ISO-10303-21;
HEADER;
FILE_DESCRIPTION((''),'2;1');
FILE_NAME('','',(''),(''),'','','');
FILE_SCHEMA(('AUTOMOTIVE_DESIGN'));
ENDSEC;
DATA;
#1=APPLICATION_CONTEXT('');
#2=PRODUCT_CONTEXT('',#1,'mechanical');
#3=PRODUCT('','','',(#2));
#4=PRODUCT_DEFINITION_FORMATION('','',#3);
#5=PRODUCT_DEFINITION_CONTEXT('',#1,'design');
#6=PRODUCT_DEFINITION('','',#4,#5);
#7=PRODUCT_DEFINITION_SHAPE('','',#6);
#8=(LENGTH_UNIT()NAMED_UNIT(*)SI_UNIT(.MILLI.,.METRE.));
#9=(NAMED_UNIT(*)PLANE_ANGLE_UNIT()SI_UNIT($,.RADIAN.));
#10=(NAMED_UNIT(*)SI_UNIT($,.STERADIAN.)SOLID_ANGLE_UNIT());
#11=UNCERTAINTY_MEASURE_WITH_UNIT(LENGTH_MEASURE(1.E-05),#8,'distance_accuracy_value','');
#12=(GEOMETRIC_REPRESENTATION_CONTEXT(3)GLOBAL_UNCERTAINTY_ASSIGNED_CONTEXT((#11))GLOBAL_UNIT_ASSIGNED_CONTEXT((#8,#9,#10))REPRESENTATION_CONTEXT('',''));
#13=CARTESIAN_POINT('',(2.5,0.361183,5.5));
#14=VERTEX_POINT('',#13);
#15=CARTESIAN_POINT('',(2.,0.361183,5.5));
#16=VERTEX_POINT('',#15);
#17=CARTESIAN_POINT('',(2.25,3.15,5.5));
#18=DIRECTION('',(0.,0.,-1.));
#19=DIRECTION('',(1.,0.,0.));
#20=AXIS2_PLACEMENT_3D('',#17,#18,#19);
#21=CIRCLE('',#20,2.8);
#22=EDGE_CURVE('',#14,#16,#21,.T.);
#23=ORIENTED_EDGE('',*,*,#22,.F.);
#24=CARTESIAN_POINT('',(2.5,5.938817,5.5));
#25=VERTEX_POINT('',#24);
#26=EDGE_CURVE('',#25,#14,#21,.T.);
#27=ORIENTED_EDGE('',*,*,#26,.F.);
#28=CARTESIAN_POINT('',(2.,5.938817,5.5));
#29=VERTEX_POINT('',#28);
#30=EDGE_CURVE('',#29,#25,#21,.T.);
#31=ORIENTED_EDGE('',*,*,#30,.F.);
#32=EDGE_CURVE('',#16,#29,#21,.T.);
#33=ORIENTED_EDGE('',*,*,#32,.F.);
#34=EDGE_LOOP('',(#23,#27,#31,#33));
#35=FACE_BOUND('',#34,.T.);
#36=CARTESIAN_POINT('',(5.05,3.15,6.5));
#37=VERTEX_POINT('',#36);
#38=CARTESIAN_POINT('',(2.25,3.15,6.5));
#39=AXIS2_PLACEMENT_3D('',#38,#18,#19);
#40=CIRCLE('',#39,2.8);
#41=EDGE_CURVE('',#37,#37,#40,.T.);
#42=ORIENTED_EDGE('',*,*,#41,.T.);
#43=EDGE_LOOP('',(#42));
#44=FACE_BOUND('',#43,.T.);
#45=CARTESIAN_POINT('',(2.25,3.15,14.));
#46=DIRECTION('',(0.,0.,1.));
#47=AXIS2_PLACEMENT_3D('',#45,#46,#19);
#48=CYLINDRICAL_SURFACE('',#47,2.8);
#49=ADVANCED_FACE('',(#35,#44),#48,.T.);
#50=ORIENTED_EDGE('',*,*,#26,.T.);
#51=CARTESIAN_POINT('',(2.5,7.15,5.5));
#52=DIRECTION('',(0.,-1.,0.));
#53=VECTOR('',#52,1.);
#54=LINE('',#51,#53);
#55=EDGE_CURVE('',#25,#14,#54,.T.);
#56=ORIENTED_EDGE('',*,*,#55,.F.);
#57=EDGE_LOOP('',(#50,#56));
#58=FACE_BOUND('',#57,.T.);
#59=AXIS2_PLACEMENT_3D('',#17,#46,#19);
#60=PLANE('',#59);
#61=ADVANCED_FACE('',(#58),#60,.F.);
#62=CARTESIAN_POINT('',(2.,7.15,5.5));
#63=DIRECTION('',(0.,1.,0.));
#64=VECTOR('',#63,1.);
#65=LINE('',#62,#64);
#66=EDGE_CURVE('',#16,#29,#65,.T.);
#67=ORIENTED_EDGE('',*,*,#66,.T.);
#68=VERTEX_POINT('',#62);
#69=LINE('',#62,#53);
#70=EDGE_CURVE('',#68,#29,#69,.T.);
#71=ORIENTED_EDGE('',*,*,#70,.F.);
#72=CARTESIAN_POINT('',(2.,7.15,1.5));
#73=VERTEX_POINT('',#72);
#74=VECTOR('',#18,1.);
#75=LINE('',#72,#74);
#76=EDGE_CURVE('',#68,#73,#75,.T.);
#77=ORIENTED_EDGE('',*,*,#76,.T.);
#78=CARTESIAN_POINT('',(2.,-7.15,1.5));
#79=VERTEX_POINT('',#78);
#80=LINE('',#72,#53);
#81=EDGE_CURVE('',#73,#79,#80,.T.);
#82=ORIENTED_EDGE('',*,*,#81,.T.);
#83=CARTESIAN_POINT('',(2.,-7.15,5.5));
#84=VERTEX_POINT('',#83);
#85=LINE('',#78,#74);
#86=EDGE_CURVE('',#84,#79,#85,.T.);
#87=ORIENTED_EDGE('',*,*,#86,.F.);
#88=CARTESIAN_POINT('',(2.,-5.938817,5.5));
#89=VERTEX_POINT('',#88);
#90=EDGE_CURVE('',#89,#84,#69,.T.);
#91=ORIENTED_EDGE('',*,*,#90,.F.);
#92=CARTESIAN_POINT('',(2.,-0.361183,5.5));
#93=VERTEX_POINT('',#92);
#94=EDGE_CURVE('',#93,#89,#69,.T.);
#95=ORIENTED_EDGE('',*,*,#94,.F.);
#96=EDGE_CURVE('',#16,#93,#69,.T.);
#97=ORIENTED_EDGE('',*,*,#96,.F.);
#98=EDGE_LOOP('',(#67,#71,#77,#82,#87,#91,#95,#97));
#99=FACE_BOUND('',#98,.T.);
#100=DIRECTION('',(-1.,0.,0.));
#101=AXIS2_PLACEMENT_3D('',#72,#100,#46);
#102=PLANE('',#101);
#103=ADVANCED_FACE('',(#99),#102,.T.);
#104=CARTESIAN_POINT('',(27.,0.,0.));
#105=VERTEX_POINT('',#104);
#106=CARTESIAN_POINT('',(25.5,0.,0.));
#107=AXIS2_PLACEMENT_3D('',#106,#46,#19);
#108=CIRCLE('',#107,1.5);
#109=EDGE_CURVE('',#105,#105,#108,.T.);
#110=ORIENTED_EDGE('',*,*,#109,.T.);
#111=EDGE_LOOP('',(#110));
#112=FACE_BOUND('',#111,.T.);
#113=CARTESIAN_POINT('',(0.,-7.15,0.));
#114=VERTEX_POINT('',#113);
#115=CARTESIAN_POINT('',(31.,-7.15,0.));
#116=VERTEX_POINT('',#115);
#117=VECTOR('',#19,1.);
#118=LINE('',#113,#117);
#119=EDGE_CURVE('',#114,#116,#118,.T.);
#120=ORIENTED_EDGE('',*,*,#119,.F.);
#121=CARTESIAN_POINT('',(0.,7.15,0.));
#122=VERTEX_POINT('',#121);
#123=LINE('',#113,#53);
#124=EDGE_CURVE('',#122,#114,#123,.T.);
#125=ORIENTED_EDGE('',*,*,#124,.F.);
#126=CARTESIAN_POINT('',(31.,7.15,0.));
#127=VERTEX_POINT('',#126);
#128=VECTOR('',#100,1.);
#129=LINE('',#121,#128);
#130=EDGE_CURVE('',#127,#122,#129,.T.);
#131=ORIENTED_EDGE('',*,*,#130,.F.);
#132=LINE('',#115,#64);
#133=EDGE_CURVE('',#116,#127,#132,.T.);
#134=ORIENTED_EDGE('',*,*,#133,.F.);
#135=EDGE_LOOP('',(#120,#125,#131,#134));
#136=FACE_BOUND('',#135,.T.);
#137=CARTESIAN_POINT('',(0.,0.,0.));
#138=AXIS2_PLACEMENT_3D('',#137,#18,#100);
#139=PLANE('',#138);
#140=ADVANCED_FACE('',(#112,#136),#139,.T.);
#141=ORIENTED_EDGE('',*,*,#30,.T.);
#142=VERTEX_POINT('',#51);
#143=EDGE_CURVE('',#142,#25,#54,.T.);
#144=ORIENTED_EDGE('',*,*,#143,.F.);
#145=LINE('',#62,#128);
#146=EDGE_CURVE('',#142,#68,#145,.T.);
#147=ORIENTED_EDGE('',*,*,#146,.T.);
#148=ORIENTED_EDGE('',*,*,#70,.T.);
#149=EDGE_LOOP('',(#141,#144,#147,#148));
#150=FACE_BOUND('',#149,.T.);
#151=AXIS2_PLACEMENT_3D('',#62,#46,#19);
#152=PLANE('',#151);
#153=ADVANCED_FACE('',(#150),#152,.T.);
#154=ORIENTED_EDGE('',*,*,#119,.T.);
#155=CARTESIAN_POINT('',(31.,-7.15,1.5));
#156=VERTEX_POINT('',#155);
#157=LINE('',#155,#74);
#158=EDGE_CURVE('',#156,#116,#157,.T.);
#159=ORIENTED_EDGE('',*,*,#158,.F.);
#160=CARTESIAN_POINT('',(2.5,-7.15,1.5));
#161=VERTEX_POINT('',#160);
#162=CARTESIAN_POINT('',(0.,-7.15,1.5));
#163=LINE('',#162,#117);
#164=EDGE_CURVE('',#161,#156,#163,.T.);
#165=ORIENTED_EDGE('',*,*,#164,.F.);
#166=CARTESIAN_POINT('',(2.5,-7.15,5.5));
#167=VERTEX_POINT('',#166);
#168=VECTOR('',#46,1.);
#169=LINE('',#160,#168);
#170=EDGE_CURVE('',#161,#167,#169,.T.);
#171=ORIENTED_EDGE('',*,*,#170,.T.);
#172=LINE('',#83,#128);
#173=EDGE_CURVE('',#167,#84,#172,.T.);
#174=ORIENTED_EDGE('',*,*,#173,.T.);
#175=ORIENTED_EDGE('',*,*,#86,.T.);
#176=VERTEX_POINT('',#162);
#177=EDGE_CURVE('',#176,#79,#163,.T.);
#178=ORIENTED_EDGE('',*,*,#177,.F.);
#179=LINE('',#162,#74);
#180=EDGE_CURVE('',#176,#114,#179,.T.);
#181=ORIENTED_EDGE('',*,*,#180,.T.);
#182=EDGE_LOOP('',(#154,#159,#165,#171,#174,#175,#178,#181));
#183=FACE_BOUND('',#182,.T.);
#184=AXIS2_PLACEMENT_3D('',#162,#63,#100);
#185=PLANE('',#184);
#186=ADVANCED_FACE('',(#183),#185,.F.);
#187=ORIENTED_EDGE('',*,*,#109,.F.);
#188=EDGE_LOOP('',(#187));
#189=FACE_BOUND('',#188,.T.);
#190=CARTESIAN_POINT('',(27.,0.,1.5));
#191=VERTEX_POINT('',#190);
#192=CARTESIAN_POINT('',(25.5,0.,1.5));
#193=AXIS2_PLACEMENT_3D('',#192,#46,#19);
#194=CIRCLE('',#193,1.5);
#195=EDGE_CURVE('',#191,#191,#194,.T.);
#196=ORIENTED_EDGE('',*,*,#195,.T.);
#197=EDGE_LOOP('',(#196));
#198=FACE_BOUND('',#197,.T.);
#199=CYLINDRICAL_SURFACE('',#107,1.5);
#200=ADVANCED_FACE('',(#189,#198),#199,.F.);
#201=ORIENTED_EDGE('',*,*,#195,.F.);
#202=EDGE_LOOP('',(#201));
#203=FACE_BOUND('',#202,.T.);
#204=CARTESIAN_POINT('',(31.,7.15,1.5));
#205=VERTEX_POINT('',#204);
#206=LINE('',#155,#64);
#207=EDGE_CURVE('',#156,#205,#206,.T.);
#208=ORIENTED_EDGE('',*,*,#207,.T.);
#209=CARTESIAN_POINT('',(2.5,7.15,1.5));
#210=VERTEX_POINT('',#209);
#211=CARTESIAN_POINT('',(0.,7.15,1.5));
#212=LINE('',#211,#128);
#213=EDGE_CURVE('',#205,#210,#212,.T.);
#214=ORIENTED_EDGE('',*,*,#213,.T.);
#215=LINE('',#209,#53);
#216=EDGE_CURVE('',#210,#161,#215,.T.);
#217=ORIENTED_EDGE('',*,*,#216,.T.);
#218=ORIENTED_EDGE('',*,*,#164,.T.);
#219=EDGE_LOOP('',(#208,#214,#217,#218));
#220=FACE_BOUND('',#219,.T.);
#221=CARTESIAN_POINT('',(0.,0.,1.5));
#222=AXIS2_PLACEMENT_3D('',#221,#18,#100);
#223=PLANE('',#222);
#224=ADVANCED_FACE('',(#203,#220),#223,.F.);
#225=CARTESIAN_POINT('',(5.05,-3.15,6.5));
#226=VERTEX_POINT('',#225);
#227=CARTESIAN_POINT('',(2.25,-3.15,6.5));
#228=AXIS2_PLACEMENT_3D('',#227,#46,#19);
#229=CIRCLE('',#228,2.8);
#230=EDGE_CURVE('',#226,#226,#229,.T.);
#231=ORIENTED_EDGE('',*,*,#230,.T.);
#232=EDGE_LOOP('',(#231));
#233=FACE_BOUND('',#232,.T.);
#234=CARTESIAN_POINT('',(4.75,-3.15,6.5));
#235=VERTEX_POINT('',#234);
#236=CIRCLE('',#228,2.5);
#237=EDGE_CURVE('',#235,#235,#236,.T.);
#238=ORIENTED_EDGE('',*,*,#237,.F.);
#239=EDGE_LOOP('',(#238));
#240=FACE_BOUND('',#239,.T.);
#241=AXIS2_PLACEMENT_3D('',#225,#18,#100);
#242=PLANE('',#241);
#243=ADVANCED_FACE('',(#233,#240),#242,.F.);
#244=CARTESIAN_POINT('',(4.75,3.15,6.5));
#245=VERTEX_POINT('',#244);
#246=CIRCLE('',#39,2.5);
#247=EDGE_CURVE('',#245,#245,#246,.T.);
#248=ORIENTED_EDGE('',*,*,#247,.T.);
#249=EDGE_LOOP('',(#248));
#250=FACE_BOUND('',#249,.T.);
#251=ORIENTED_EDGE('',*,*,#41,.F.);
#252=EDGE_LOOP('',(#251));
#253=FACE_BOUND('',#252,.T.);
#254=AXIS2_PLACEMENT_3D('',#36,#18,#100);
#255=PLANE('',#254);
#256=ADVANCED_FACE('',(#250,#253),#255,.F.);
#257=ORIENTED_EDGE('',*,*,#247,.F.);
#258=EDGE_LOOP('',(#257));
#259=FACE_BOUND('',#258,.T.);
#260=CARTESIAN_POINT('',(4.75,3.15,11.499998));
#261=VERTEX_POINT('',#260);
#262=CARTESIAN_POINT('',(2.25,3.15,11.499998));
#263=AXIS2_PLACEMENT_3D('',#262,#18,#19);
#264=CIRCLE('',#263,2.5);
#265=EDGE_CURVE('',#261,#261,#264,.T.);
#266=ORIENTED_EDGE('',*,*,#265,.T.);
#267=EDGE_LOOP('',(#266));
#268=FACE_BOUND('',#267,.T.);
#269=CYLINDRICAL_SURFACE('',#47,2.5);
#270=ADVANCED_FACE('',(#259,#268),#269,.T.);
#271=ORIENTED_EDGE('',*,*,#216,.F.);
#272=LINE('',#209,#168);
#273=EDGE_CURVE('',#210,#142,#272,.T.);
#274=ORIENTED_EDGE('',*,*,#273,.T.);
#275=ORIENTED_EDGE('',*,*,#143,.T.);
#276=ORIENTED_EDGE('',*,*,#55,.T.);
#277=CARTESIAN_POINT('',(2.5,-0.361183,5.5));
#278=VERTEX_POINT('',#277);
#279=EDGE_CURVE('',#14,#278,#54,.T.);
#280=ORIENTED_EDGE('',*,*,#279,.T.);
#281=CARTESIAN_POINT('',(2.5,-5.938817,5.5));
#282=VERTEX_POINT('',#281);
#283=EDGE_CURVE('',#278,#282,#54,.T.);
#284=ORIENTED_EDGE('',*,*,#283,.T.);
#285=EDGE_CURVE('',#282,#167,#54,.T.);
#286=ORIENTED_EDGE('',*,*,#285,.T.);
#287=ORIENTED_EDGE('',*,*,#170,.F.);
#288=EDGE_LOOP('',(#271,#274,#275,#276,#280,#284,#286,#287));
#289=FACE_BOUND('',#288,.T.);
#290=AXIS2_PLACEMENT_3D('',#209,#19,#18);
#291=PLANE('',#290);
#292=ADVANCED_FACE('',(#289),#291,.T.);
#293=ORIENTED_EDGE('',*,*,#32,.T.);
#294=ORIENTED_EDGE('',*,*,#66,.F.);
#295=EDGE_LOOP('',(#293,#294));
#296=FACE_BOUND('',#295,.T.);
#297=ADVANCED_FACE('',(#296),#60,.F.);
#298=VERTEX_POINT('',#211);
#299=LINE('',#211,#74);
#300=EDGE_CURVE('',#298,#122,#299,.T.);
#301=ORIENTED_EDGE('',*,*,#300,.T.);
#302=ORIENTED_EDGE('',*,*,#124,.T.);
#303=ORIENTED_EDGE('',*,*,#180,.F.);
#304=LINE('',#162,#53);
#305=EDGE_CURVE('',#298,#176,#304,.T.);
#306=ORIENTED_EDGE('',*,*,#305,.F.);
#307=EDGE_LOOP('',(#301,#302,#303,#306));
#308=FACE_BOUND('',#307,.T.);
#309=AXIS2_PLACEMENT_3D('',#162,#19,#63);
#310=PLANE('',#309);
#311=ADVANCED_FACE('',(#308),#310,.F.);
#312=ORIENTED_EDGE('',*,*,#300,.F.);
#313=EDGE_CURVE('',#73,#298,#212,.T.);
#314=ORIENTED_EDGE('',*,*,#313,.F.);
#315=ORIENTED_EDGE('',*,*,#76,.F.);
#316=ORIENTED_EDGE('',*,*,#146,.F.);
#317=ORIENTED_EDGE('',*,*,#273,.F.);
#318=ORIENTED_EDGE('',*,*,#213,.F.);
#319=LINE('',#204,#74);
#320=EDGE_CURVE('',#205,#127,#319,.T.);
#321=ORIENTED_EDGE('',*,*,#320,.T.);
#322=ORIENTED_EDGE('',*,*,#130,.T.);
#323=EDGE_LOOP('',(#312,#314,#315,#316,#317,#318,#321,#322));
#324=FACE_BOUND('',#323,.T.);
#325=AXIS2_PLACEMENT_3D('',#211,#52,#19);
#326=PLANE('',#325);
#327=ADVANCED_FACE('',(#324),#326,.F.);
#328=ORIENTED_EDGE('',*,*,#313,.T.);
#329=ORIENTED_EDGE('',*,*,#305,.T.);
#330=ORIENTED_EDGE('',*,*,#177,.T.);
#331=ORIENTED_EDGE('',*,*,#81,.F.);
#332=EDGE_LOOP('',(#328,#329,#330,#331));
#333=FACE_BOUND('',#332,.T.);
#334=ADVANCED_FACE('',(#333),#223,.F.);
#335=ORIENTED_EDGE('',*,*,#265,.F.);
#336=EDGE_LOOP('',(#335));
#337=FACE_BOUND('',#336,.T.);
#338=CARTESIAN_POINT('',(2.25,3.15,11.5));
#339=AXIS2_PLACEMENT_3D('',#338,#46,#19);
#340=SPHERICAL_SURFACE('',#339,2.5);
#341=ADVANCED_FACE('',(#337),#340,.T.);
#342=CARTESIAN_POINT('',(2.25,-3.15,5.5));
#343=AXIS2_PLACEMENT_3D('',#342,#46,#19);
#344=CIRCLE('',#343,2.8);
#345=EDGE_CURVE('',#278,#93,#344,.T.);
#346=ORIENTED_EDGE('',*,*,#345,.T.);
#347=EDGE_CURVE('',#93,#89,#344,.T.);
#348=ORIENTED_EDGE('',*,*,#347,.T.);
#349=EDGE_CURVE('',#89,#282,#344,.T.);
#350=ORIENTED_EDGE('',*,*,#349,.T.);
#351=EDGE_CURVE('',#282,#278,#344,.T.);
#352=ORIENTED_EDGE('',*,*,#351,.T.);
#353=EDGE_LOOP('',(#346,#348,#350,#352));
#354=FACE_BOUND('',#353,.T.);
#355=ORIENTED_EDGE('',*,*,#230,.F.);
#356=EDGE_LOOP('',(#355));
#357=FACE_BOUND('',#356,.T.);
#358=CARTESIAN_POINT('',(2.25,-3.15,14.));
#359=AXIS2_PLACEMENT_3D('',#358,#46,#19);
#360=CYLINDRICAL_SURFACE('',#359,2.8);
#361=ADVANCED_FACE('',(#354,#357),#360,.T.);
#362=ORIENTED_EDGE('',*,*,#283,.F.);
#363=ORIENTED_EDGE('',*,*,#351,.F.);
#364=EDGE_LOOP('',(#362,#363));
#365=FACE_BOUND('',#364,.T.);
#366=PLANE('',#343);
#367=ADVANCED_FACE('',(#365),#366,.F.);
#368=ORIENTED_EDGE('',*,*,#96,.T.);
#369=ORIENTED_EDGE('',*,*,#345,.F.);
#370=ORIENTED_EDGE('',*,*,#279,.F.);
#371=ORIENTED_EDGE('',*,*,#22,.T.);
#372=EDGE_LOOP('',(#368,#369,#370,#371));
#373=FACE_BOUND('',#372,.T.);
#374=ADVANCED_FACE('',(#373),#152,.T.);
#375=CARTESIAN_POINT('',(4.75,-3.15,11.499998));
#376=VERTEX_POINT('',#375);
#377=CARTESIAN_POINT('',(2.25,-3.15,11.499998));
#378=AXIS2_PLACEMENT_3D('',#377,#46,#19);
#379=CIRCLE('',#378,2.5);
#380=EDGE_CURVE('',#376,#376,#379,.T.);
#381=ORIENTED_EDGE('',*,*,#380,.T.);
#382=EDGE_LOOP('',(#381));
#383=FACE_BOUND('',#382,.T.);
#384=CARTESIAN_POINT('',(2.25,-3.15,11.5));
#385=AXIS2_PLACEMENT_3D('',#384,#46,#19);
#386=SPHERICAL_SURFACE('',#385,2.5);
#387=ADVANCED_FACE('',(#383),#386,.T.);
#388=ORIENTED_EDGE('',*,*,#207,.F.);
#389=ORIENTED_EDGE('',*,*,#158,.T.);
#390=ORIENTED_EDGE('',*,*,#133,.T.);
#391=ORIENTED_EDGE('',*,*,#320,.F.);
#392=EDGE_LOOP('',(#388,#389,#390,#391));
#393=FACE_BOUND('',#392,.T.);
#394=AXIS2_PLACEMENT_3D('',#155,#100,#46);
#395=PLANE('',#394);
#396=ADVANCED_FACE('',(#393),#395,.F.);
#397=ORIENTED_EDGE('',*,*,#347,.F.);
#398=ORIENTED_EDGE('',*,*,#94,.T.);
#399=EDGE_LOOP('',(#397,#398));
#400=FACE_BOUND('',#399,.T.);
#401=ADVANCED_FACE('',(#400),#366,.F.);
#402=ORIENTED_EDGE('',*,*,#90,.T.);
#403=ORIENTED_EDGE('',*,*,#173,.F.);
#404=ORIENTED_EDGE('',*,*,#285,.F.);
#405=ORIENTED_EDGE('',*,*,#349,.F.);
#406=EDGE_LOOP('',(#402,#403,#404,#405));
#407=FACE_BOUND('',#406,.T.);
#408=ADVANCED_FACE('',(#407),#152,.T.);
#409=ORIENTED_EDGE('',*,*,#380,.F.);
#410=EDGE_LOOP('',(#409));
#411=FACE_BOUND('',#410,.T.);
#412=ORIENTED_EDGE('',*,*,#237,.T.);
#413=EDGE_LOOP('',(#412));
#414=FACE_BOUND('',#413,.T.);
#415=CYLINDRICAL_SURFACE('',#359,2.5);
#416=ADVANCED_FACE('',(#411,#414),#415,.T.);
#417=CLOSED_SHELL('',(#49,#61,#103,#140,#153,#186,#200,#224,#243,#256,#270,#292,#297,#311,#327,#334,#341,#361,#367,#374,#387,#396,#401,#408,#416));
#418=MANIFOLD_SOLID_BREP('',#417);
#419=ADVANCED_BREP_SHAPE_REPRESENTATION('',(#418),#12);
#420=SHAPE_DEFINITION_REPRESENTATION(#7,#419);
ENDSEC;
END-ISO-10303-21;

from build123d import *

# Parameters (mm, degrees)
SKETCH1_W           = 31
SKETCH1_H           = 14.3
BOSS_EXTRUDE1_DEPTH = 1.5
SKETCH2_W           = 0.5
SKETCH2_H           = 4
BOSS_EXTRUDE2_DEPTH = 14.3
SKETCH5_R           = 1.5
CUT_EXTRUDE1_DEPTH  = 1.5


with BuildPart() as part:
    # Sketch1 → Boss-Extrude1 (new body)
    with BuildSketch(Plane.XY):
        with Locations((15.5, 0)):
            Rectangle(SKETCH1_W, SKETCH1_H)
    extrude(amount=BOSS_EXTRUDE1_DEPTH)

    # Sketch2 → Boss-Extrude2 (add, through all)
    with BuildSketch(Plane.XZ.offset(7.15)):
        with Locations((2.25, 3.5)):
            Rectangle(SKETCH2_W, SKETCH2_H)
    extrude(amount=-BOSS_EXTRUDE2_DEPTH)

    # Sketch4 → Revolve1 (revolve)
    with BuildSketch(Plane.XZ.offset(3.15)):
        with BuildLine():
            Line((2.25, 14), (2.25, 5.5))
            Line((2.25, 5.5), (5.05, 5.5))
            Line((5.05, 5.5), (5.05, 6.5))
            Line((5.05, 6.5), (4.75, 6.5))
            Line((4.75, 6.5), (4.75, 11.499998492))
            ThreePointArc((4.75, 11.499998492), (4.017767486, 13.26776642), (2.25, 14))
        make_face()
    revolve1 = revolve(axis=Axis((2.25, -3.15, 14), (0, 0, -1)))

    # Mirror1: Revolve1 across plane
    add(revolve1.mirror(Plane.ZX))

    # Sketch5 → Cut-Extrude1 (cut)
    with BuildSketch(Plane.XY.offset(1.5)):
        with Locations((25.5, 0)):
            Circle(SKETCH5_R)
    extrude(amount=-CUT_EXTRUDE1_DEPTH, mode=Mode.SUBTRACT)


solid = part.part
